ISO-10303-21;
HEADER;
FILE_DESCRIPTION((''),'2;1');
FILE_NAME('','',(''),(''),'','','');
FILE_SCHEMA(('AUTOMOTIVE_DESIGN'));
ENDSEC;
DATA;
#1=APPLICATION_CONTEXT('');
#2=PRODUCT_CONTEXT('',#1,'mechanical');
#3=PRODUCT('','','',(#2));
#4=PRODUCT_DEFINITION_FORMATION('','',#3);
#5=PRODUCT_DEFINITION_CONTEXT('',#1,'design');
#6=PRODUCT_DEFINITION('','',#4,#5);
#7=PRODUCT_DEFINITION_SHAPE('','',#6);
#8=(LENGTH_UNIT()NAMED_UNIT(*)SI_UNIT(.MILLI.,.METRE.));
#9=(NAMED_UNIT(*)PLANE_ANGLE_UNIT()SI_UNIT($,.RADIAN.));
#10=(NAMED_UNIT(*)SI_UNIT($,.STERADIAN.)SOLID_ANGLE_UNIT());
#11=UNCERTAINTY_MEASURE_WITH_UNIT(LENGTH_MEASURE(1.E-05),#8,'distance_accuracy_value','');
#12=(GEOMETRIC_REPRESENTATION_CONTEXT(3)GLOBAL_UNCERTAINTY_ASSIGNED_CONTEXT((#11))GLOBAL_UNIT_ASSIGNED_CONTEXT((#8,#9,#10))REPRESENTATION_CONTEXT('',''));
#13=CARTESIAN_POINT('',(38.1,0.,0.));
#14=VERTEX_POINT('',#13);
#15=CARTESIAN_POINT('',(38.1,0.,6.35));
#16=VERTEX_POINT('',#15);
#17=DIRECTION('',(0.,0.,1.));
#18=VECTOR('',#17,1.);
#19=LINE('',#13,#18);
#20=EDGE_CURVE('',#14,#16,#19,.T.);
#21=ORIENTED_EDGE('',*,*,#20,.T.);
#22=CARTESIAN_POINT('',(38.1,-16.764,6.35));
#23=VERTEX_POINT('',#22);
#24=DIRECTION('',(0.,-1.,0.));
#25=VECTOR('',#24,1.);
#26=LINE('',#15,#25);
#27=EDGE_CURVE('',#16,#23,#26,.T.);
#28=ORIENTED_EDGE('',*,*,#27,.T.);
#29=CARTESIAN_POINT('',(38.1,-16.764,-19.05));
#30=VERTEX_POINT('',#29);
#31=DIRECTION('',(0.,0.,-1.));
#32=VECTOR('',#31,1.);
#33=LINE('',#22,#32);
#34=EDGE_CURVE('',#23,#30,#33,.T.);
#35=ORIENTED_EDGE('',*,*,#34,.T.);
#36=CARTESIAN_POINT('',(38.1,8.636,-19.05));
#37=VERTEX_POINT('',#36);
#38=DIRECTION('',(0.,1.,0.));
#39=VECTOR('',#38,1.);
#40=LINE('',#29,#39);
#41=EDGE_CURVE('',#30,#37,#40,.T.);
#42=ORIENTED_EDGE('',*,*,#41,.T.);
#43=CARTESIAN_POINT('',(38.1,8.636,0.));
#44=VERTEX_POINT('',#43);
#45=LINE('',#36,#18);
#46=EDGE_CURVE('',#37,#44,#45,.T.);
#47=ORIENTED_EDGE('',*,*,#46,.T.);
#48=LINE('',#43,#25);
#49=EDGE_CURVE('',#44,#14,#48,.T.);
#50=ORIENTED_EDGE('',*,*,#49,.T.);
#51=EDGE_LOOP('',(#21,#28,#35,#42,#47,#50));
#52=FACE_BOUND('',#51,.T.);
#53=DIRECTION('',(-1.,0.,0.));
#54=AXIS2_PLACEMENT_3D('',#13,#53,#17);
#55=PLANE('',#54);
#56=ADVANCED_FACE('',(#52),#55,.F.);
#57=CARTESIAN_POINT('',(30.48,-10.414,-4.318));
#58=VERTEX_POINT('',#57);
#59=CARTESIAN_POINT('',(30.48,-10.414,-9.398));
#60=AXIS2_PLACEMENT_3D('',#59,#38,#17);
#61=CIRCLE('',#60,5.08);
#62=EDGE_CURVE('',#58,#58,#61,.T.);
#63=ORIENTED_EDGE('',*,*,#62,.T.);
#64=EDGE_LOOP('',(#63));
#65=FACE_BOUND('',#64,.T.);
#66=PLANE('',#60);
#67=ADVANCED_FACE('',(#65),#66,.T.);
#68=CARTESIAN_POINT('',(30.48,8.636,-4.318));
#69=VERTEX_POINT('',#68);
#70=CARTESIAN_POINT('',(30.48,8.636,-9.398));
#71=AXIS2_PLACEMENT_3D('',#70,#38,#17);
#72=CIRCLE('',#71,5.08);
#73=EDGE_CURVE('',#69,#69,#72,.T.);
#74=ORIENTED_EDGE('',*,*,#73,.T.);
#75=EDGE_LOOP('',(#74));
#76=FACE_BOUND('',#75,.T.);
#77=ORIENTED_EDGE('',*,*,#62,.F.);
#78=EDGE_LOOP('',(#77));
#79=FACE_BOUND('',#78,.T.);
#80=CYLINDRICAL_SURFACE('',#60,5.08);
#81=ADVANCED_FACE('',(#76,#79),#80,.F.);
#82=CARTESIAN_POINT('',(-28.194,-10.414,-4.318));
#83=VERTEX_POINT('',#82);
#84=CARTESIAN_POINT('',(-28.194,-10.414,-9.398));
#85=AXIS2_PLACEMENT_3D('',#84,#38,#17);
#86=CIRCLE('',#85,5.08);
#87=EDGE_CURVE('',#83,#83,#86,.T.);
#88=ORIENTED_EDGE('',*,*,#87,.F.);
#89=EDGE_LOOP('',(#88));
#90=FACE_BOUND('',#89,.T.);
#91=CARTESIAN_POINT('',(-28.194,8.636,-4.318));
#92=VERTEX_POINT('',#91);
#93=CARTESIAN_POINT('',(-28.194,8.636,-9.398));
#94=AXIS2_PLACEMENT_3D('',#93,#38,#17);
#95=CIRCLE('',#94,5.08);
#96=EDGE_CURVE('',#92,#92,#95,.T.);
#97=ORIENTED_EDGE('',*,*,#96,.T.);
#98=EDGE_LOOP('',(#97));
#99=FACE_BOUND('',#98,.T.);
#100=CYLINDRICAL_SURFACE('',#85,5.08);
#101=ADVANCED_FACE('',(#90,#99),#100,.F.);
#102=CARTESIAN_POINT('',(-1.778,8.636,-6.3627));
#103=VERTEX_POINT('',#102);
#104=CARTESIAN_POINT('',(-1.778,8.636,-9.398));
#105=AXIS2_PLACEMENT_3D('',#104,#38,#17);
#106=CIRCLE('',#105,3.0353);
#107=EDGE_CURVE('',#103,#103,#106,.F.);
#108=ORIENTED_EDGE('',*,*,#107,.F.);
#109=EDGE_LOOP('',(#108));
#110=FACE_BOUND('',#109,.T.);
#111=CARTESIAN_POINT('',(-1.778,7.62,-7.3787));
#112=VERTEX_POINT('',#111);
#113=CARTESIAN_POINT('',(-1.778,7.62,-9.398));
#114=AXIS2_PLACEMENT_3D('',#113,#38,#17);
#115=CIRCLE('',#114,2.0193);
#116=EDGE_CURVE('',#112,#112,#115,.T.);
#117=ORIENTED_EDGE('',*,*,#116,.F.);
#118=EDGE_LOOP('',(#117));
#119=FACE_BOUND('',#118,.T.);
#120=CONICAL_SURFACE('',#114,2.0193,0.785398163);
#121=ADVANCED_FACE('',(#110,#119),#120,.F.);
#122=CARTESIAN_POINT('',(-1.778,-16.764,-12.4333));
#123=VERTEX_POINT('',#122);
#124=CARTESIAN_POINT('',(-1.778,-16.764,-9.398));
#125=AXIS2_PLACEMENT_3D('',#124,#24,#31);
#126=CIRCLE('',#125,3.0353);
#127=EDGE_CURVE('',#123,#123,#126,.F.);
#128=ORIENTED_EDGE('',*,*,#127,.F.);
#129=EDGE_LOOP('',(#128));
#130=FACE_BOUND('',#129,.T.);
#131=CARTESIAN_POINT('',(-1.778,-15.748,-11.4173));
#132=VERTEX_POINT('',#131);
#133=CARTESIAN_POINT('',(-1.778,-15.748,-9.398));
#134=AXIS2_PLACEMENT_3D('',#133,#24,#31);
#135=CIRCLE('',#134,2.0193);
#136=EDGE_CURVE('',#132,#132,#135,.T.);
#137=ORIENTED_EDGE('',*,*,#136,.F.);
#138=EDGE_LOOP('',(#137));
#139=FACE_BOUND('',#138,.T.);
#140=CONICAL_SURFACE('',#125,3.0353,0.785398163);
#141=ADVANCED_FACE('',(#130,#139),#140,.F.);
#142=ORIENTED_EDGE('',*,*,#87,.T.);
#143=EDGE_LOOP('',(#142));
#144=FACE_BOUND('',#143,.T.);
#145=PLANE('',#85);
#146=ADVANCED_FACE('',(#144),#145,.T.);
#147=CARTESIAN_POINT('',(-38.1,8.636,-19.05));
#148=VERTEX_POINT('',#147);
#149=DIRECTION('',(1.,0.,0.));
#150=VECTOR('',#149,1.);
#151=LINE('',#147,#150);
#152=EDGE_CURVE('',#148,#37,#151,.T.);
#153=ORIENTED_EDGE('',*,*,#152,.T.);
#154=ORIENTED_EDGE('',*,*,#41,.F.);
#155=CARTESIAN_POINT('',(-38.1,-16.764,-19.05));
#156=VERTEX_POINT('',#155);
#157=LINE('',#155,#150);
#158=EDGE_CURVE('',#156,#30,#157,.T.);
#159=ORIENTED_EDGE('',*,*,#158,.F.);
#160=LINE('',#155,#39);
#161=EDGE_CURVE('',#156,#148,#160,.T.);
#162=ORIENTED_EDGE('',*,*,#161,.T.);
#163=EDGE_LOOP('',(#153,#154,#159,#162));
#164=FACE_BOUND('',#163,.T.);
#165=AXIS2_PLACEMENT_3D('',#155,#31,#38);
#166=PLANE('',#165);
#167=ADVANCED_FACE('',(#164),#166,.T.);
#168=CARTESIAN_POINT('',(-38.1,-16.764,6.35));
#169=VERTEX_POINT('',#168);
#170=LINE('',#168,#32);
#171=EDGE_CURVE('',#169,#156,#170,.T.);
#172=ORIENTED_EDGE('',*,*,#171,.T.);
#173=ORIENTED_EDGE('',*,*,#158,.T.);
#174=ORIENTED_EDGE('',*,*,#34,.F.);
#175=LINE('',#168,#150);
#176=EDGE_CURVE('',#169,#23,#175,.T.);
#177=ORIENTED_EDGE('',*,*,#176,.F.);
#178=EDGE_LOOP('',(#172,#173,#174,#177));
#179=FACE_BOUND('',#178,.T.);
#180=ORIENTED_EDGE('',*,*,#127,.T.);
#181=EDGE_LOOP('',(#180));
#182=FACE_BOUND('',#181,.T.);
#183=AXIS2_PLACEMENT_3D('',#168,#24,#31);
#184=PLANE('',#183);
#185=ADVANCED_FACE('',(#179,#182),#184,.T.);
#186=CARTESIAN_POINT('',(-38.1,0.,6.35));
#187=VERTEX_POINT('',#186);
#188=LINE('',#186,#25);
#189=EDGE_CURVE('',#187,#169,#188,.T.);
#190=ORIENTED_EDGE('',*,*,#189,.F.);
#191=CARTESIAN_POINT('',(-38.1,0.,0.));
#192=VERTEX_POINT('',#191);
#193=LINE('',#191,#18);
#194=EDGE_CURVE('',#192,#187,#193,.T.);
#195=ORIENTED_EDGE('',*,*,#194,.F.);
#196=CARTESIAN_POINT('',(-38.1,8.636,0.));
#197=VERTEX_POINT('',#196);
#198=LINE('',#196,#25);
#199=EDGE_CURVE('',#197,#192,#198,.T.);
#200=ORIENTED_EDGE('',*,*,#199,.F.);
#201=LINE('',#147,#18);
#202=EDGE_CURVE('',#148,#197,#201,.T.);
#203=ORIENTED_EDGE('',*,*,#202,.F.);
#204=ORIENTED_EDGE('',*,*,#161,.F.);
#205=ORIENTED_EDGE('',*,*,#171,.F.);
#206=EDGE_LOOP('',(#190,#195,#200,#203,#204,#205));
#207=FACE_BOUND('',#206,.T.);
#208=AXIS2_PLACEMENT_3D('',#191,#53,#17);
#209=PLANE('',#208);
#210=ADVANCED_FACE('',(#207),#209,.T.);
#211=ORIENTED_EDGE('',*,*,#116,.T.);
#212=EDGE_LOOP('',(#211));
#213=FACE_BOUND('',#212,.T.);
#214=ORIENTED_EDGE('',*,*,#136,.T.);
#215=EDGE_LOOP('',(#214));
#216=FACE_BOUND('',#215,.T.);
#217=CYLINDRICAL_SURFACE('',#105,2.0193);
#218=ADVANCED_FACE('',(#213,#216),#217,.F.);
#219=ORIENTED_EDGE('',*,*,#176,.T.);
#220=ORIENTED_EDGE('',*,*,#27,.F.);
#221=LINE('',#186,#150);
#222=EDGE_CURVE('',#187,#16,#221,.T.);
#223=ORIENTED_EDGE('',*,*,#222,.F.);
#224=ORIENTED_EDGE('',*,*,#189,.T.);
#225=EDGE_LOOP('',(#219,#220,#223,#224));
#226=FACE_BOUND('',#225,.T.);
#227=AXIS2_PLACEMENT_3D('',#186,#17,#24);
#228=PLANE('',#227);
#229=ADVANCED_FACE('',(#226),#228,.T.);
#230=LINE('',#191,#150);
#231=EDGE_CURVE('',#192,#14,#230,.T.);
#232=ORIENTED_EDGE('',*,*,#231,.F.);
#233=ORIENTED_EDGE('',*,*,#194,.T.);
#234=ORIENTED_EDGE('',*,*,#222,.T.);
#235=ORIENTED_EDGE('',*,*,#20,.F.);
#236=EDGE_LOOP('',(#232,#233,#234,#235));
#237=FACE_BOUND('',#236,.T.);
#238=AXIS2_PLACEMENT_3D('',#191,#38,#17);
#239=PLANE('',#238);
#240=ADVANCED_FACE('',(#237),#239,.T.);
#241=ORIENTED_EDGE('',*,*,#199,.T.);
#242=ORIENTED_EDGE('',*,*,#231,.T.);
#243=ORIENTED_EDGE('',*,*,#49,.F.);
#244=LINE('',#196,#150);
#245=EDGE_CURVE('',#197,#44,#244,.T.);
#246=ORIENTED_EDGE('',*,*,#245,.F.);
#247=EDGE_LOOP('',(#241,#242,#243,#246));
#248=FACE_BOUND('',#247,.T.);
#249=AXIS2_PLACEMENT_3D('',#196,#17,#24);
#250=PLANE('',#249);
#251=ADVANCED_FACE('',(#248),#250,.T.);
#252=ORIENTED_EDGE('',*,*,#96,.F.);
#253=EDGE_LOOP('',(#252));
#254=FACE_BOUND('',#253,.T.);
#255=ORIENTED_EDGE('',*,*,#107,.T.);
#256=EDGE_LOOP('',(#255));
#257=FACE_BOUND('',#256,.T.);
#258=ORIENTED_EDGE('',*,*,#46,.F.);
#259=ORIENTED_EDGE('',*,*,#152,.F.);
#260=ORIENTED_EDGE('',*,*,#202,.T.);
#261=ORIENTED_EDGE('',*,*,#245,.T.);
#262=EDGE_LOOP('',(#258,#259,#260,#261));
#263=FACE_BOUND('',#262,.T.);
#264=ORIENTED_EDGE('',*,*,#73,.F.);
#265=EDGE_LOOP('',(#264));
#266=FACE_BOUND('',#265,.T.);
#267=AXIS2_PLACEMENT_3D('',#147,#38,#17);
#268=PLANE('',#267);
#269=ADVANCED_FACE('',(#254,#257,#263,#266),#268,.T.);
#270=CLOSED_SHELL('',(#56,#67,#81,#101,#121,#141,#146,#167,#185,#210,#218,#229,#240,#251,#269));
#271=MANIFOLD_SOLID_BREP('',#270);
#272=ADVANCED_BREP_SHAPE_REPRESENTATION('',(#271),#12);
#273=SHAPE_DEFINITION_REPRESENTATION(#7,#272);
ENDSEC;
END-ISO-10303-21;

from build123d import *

# Parameters (mm, degrees)
BOSS_EXTRUDE1_DEPTH      = 38.1
BOSS_EXTRUDE1_DEPTH_BACK = 38.1
SKETCH2_R                = 5.08
CUT_EXTRUDE1_DEPTH       = 19.05
F_10_32_TAPPED_HOLE2_D   = 4.0386
CHAMFER5_SIZE            = 1.016
CHAMFER6_SIZE            = 1.016


with BuildPart() as part:
    # Sketch1 → Boss-Extrude1 (new, two sides: drawn at the far end of the back side and taken through both)
    with BuildSketch(Plane(origin=(0, 0, 0), x_dir=(0, 0, -1), z_dir=(1, 0, 0)).offset(-BOSS_EXTRUDE1_DEPTH_BACK)):
        Polygon((0, 0), (-6.35, 0), (-6.35, -16.764), (19.05, -16.764), (19.05, 8.636), (0, 8.636), align=None)
    extrude(amount=BOSS_EXTRUDE1_DEPTH + BOSS_EXTRUDE1_DEPTH_BACK)

    # Sketch2 → Cut-Extrude1 (cut)
    with BuildSketch(Plane(origin=(0, 8.636, 0), x_dir=(1, 0, 0), z_dir=(0, 1, 0))):
        with Locations((-28.194, 9.398)):
            Circle(SKETCH2_R)
        with Locations((30.48, 9.398)):
            Circle(SKETCH2_R)
    extrude(amount=-CUT_EXTRUDE1_DEPTH, mode=Mode.SUBTRACT)

    # #10-32 Tapped Hole2 (through all)
    with Locations(Plane(origin=(-1.778, 8.636, -9.398), x_dir=(0, 0, 1), z_dir=(0, 1, 0))):
        with Locations((0, 0)):
            Hole(F_10_32_TAPPED_HOLE2_D / 2)

    # Chamfer5
    chamfer5_edges = [part.edges().sort_by_distance(p)[0] for p in [
        (-1.778, 8.636, -7.3787),
    ]]
    chamfer(chamfer5_edges, length=CHAMFER5_SIZE)

    # Chamfer6
    chamfer6_edges = [part.edges().sort_by_distance(p)[0] for p in [
        (-1.778, -16.764, -7.3787),
    ]]
    chamfer(chamfer6_edges, length=CHAMFER6_SIZE)


solid = part.part
